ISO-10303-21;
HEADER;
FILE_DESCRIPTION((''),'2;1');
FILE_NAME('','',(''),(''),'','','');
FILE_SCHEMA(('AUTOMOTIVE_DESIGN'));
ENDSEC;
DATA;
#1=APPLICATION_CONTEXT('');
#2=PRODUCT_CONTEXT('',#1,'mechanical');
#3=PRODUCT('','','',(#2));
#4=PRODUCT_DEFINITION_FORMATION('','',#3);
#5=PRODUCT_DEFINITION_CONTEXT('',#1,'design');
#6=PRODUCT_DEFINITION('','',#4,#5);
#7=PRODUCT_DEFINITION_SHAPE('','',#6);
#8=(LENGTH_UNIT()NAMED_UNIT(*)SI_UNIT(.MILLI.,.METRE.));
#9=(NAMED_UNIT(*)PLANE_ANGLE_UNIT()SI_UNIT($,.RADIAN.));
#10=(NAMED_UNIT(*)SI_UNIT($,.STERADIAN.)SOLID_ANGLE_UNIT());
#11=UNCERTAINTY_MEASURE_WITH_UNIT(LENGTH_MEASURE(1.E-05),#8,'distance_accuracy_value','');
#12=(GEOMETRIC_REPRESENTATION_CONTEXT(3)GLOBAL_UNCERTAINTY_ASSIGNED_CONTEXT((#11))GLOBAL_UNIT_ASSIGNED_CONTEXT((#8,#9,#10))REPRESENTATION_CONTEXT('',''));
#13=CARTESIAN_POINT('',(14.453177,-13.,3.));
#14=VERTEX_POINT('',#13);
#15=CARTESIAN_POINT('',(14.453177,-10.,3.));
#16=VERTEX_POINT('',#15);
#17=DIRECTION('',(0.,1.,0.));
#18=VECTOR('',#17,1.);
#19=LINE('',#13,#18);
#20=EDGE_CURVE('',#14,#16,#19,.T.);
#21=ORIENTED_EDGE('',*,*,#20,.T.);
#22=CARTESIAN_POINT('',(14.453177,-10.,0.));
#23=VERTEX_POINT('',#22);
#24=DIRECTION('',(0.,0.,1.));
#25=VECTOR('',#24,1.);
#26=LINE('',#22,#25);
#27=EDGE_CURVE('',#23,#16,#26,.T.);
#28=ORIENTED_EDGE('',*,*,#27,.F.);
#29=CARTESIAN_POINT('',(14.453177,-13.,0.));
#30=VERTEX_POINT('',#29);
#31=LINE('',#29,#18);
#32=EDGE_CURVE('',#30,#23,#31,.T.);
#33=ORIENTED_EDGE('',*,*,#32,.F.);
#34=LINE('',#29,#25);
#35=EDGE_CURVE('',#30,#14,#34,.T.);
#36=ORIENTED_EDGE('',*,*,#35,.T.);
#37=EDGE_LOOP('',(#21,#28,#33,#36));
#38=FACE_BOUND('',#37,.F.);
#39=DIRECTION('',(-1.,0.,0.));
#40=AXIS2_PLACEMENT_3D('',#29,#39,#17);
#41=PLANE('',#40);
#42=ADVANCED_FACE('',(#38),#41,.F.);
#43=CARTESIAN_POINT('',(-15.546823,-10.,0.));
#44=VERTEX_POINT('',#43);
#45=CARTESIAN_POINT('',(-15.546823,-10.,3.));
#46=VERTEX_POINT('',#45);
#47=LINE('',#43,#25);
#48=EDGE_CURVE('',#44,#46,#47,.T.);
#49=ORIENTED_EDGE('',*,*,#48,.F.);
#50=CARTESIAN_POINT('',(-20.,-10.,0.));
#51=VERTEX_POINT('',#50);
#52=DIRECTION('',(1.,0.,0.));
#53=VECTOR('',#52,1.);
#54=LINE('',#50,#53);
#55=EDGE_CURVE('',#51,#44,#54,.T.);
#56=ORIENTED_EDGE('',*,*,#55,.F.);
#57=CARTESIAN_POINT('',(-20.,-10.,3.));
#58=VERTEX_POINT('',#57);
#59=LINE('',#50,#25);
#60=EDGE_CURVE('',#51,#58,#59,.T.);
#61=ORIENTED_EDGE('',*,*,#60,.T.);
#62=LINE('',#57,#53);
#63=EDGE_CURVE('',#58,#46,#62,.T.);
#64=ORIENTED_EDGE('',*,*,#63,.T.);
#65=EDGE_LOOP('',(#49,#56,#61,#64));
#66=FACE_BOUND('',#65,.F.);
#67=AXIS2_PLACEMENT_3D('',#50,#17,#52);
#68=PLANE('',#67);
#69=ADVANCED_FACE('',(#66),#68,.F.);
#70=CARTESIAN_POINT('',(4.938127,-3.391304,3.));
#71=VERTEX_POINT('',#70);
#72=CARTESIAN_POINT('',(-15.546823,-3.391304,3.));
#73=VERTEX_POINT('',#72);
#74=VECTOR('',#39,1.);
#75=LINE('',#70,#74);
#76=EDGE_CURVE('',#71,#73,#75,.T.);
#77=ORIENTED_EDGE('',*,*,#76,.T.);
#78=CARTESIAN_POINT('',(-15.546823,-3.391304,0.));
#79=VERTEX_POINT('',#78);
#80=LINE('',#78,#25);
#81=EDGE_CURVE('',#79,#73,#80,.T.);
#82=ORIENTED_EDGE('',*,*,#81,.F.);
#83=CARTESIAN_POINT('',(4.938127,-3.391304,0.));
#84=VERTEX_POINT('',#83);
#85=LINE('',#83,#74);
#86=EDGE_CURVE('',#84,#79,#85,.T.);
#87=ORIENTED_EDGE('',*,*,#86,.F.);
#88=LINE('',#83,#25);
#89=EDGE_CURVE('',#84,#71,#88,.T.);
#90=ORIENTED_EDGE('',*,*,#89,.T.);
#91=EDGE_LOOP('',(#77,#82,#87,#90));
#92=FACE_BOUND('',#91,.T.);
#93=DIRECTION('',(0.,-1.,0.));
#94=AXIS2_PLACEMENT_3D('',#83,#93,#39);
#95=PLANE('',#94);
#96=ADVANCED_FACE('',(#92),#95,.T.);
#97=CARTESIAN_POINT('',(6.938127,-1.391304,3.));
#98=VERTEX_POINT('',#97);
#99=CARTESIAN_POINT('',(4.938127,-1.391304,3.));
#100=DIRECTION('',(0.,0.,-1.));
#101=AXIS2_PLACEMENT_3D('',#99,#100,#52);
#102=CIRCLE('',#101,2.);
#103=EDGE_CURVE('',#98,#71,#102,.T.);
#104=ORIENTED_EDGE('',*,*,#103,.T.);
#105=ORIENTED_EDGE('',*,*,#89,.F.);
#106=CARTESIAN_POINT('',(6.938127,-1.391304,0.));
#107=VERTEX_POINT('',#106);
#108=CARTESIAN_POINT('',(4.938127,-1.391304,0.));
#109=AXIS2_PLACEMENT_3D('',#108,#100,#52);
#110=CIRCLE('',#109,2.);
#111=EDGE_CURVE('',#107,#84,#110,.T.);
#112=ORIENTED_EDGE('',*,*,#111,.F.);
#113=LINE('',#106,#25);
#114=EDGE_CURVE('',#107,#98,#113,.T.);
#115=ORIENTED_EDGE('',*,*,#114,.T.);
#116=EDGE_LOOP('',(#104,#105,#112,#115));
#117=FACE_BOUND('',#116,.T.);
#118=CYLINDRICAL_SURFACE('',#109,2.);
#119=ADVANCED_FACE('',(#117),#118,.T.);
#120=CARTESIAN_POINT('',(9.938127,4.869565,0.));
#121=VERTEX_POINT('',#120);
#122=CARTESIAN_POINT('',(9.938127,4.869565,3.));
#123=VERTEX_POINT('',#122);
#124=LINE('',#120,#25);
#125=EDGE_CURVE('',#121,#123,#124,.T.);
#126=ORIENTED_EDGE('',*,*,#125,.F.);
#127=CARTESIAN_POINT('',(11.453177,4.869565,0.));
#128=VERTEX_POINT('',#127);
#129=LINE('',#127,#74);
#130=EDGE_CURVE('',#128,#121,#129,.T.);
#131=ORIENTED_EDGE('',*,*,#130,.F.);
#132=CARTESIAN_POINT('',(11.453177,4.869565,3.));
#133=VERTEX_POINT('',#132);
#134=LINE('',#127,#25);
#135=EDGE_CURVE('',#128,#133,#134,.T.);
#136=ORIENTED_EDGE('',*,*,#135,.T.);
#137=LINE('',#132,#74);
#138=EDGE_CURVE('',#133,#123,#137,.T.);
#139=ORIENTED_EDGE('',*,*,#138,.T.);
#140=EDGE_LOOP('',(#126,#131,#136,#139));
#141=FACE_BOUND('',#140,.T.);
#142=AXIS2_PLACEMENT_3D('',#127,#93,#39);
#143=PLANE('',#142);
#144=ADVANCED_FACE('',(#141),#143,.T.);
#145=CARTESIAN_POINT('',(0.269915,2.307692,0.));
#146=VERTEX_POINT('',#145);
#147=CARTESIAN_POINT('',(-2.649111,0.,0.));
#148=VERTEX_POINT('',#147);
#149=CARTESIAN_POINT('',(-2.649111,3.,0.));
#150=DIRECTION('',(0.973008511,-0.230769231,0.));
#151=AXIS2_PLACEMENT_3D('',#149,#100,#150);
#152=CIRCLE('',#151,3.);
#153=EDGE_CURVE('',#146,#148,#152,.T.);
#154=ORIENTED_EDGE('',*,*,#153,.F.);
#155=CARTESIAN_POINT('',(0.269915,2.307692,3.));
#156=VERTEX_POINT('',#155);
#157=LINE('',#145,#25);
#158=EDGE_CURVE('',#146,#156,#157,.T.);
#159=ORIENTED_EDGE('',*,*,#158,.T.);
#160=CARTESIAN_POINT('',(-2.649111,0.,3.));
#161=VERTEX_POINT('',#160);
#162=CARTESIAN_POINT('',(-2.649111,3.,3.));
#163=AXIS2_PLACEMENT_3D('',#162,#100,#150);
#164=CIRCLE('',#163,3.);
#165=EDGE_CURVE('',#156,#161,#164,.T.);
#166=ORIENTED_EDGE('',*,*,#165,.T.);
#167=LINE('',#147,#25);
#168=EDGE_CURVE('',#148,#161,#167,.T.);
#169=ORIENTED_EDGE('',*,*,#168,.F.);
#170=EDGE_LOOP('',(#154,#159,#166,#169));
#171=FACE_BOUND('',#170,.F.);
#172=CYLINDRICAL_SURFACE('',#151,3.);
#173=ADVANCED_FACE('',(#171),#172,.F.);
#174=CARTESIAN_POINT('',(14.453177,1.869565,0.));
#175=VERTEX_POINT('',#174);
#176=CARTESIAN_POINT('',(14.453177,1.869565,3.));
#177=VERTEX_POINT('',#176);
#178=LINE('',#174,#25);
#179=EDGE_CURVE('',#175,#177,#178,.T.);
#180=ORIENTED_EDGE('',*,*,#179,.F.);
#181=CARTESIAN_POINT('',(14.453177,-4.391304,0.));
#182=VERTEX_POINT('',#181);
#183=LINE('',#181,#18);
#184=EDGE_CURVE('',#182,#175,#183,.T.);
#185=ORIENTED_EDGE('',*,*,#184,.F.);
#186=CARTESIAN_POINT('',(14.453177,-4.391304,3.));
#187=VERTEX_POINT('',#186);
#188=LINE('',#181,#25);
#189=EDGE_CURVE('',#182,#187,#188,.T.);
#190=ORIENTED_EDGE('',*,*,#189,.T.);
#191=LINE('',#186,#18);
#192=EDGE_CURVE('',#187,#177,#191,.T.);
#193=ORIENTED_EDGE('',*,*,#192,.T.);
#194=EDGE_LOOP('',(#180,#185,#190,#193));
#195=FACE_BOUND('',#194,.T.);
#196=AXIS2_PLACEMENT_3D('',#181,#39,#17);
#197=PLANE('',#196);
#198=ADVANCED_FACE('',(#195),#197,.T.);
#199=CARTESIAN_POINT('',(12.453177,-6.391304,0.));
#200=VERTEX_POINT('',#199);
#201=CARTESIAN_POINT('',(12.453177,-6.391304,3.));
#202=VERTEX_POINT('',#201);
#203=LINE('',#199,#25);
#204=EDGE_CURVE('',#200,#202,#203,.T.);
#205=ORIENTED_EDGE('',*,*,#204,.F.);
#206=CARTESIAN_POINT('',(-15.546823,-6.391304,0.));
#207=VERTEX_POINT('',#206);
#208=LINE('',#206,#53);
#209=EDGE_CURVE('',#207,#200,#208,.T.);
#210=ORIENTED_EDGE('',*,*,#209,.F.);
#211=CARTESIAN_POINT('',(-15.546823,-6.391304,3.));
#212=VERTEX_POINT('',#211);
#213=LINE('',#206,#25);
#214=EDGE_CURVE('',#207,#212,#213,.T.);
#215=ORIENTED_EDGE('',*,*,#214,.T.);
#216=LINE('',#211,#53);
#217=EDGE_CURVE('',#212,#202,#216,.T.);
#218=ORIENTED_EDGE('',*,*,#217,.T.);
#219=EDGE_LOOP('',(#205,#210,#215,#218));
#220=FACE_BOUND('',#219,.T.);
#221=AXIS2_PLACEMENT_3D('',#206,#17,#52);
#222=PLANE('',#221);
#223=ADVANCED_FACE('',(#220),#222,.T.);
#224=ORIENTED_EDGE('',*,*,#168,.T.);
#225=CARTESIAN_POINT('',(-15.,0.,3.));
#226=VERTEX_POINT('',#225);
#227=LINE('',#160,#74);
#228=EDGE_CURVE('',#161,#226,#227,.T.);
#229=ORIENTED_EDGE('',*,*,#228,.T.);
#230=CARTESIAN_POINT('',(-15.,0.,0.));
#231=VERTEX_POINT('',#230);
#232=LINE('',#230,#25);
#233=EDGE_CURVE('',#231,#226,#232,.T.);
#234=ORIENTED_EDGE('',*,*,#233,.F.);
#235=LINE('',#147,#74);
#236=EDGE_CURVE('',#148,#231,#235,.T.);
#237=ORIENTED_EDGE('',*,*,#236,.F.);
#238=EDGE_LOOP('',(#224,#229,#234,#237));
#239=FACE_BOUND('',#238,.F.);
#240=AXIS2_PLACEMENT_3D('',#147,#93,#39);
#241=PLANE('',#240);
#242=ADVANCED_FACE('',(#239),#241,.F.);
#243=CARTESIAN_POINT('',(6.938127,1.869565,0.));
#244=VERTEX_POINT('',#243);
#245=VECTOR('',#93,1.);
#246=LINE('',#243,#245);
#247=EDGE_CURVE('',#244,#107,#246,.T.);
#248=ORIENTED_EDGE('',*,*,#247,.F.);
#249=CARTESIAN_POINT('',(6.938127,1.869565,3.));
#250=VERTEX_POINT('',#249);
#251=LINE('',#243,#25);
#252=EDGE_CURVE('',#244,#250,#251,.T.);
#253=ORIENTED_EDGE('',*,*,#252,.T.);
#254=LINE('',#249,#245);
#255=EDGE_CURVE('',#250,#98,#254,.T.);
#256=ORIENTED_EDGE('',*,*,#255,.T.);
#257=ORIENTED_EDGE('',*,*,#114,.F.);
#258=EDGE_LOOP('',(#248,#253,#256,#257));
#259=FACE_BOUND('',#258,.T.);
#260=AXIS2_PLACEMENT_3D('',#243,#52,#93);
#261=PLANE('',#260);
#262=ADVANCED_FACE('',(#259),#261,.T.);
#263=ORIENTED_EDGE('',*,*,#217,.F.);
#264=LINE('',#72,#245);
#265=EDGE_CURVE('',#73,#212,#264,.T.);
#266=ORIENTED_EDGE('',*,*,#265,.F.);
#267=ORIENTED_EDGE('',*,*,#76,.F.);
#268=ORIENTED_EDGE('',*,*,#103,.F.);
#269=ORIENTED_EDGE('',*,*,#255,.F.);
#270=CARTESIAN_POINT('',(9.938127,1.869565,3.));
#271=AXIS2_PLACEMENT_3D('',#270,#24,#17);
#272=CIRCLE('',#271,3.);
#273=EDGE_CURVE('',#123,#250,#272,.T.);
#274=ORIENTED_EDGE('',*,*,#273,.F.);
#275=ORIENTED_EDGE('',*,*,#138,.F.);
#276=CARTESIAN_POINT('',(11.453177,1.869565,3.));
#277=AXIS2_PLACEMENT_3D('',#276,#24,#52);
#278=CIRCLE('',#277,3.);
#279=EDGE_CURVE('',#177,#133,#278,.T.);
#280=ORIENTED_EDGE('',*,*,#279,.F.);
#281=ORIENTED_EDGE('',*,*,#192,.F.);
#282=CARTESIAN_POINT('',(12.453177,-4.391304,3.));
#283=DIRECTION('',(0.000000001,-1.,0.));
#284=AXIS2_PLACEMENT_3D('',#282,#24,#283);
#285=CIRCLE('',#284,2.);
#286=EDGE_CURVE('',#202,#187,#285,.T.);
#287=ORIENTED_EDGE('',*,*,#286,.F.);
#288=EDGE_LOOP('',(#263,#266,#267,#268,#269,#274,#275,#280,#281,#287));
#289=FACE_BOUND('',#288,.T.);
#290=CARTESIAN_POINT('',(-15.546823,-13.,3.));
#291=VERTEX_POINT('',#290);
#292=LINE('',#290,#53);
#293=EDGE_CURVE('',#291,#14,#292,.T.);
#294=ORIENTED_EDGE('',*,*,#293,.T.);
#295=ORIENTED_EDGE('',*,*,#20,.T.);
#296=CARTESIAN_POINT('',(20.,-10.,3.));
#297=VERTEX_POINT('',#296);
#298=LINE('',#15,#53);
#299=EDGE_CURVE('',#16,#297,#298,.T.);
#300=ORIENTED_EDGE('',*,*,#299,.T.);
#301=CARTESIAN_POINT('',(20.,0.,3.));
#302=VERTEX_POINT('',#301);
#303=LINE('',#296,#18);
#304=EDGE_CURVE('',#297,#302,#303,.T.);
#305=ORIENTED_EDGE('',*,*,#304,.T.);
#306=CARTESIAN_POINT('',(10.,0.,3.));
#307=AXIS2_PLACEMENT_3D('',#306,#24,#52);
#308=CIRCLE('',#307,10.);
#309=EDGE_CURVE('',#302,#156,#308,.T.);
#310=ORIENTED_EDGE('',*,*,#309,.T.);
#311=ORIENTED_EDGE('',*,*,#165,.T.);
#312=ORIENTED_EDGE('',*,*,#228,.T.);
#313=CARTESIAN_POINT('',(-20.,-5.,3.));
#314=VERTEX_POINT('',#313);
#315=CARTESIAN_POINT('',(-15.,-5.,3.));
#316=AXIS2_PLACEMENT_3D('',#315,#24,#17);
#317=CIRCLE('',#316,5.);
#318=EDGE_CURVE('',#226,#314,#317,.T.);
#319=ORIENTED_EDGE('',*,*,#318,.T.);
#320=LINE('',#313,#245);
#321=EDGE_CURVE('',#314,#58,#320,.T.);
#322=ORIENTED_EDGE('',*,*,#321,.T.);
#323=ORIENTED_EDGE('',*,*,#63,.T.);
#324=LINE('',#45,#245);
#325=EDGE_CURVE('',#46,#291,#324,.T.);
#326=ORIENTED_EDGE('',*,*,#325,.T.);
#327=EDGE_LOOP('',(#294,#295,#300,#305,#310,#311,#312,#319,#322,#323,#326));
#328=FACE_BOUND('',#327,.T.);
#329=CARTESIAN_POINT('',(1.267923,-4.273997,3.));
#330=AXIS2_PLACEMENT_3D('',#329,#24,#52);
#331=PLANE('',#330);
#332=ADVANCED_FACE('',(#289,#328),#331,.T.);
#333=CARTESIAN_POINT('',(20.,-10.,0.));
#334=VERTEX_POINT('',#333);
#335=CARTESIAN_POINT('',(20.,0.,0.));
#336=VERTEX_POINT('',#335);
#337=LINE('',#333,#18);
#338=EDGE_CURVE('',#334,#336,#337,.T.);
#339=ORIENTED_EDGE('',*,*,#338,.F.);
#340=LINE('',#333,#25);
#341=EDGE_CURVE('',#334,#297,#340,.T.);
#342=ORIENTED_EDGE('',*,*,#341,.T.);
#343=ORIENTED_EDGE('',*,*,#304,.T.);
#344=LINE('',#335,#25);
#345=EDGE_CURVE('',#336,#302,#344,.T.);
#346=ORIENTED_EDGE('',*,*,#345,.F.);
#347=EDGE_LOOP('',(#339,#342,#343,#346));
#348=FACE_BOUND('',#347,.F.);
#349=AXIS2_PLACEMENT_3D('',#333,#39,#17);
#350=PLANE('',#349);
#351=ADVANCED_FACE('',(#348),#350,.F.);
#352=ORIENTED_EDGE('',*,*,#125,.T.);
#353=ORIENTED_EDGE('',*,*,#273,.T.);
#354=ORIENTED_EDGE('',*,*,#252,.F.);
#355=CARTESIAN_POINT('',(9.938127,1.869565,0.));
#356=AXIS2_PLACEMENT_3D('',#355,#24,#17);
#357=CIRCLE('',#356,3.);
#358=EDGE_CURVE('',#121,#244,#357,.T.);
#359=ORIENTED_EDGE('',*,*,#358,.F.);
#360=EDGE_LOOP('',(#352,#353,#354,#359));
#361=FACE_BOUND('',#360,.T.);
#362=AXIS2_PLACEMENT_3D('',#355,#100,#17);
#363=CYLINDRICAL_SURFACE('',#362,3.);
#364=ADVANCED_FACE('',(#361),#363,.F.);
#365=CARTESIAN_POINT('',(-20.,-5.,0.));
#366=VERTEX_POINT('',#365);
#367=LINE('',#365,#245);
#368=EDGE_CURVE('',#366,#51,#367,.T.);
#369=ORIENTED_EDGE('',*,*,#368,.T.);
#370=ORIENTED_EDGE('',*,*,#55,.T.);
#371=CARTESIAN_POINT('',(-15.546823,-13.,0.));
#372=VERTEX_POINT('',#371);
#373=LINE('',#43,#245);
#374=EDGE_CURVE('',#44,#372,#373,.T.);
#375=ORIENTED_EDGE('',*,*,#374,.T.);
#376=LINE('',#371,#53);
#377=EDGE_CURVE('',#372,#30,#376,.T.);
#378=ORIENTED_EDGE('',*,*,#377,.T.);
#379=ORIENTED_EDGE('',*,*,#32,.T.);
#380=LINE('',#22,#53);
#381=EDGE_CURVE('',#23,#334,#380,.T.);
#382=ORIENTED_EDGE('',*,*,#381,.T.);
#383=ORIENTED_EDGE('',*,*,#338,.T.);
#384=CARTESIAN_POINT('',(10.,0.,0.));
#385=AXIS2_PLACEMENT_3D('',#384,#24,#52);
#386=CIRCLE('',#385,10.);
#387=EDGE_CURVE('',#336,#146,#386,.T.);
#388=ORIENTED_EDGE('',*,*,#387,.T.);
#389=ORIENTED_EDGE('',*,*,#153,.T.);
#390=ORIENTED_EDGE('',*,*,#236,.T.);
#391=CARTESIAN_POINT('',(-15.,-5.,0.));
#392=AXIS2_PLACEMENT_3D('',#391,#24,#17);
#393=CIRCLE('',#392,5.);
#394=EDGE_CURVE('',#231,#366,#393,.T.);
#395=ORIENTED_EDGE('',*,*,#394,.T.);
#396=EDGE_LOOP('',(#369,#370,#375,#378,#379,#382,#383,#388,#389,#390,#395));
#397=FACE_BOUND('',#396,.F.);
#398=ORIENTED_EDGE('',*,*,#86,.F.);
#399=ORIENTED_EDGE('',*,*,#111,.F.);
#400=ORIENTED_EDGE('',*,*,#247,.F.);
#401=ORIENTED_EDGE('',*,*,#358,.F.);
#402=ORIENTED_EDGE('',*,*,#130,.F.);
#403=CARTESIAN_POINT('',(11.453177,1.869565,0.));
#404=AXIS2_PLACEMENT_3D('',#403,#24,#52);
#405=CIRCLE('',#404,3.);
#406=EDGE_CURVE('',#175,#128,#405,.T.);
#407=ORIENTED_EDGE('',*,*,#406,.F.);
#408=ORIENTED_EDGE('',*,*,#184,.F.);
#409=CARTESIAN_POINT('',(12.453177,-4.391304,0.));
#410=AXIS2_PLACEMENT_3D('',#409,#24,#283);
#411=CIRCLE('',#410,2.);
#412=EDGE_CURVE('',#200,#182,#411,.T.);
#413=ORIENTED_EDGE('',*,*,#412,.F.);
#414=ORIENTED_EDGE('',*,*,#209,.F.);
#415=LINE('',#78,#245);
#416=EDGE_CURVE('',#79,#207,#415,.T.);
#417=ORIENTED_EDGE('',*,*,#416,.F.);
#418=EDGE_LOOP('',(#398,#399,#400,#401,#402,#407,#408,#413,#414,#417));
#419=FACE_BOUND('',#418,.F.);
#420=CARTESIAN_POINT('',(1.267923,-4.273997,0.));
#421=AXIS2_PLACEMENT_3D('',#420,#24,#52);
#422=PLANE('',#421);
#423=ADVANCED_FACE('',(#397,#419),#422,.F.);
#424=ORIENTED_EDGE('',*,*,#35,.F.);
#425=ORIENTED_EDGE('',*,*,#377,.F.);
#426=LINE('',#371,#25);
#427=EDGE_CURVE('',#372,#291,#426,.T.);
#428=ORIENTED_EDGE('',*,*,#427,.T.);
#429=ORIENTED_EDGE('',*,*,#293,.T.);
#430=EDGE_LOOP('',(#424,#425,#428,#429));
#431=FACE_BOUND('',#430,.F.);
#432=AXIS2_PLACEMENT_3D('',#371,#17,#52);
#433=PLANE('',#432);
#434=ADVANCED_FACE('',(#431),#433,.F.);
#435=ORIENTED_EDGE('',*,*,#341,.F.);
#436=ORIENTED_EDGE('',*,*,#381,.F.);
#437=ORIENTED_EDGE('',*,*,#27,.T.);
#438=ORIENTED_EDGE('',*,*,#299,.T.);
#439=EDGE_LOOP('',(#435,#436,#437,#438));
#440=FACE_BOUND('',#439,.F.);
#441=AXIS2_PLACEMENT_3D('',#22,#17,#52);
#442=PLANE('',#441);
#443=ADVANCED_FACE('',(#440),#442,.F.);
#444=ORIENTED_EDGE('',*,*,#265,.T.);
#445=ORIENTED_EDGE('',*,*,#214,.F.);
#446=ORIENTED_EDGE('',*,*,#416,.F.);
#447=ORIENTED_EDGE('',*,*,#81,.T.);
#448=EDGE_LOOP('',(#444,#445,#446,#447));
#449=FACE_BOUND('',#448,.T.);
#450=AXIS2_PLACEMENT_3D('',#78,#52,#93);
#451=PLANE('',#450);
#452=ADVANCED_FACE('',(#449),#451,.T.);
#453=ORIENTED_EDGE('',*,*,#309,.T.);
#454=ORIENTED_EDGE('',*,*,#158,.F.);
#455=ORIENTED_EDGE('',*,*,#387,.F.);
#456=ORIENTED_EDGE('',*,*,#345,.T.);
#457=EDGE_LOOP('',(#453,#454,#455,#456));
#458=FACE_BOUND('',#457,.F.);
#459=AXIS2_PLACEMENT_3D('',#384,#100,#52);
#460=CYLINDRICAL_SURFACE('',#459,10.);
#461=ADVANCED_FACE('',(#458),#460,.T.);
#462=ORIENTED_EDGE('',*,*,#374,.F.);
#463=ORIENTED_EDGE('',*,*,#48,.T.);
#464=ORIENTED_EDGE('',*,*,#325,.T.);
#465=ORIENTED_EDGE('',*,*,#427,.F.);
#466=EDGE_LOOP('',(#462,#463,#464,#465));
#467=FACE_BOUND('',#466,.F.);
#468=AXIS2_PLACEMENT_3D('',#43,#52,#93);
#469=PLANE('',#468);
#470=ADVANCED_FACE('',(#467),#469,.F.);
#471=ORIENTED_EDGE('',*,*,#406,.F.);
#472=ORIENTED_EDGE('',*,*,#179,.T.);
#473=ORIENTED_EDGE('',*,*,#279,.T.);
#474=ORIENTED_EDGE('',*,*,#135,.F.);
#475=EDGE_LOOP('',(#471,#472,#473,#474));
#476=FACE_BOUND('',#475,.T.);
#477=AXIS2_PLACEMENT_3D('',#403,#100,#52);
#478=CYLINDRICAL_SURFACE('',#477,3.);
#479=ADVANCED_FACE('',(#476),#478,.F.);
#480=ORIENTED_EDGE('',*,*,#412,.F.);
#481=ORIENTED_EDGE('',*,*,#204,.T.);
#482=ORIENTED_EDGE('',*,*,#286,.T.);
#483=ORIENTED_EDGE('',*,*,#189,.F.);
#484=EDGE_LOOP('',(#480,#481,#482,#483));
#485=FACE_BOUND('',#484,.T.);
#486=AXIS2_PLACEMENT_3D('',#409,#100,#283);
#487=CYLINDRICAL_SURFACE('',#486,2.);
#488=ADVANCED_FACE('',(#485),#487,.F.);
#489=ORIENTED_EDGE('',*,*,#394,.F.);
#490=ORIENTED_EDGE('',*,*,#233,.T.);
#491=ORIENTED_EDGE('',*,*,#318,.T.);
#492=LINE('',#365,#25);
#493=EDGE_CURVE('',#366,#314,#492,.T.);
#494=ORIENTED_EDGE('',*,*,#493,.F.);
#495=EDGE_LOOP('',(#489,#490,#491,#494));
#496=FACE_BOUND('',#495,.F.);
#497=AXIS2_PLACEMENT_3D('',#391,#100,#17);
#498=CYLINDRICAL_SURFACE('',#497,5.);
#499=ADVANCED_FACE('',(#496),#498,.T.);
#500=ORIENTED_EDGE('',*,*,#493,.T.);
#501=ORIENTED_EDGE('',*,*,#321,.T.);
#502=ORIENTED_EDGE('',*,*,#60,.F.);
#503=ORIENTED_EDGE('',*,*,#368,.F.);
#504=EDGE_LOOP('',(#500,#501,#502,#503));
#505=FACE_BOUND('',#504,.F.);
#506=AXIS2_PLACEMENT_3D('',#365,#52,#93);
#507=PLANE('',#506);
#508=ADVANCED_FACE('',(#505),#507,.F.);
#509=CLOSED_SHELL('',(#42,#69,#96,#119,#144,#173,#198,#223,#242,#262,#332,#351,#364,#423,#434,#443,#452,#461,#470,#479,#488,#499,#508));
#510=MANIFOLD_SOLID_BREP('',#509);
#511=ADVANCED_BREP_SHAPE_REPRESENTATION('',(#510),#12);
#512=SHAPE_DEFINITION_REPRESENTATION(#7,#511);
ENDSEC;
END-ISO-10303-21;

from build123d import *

# Parameters (mm, degrees)
SALIENTE_EXTRUIR1_DEPTH = 3


with BuildPart() as part:
    # Croquis1 → Saliente-Extruir1 (new body)
    with BuildSketch(Plane.XY):
        with BuildLine():
            Line((-2.649110641, 0), (-15, 0))
            ThreePointArc((-15, 0), (-18.535533906, -1.464466094), (-20, -5))
            Line((-20, -5), (-20, -10))
            Line((-20, -10), (-15.546822742, -10))
            Line((-15.546822742, -10), (-15.546822742, -13))
            Line((-15.546822742, -13), (14.453177258, -13))
            Line((14.453177258, -13), (14.453177258, -10))
            Line((14.453177258, -10), (20, -10))
            Line((20, -10), (20, 0))
            ThreePointArc((20, 0), (11.161711866, 9.932292059), (0.269914892, 2.307692308))
            ThreePointArc((0.269914892, 2.307692308), (-0.788589622, 0.646606378), (-2.649110641, 0))
        make_face()
        with BuildLine():
            Line((-15.546822742, -6.391304348), (12.453177258, -6.391304348))
            ThreePointArc((12.453177258, -6.391304348), (13.86739082, -5.80551791), (14.453177258, -4.391304348))
            Line((14.453177258, -4.391304348), (14.453177258, -3.391304348))
            Line((14.453177258, -3.391304348), (14.453177258, 1.869565217))
            ThreePointArc((14.453177258, 1.869565217), (13.574497601, 3.990885561), (11.453177258, 4.869565217))
            Line((11.453177258, 4.869565217), (9.93812709, 4.869565217))
            ThreePointArc((9.93812709, 4.869565217), (7.816806747, 3.990885561), (6.93812709, 1.869565217))
            Line((6.93812709, 1.869565217), (6.93812709, -1.391304348))
            ThreePointArc((6.93812709, -1.391304348), (6.352340653, -2.80551791), (4.93812709, -3.391304348))
            Line((4.93812709, -3.391304348), (-15.546822742, -3.391304348))
            Line((-15.546822742, -3.391304348), (-15.546822742, -6.391304348))
        make_face(mode=Mode.SUBTRACT)
    extrude(amount=SALIENTE_EXTRUIR1_DEPTH)


solid = part.part
